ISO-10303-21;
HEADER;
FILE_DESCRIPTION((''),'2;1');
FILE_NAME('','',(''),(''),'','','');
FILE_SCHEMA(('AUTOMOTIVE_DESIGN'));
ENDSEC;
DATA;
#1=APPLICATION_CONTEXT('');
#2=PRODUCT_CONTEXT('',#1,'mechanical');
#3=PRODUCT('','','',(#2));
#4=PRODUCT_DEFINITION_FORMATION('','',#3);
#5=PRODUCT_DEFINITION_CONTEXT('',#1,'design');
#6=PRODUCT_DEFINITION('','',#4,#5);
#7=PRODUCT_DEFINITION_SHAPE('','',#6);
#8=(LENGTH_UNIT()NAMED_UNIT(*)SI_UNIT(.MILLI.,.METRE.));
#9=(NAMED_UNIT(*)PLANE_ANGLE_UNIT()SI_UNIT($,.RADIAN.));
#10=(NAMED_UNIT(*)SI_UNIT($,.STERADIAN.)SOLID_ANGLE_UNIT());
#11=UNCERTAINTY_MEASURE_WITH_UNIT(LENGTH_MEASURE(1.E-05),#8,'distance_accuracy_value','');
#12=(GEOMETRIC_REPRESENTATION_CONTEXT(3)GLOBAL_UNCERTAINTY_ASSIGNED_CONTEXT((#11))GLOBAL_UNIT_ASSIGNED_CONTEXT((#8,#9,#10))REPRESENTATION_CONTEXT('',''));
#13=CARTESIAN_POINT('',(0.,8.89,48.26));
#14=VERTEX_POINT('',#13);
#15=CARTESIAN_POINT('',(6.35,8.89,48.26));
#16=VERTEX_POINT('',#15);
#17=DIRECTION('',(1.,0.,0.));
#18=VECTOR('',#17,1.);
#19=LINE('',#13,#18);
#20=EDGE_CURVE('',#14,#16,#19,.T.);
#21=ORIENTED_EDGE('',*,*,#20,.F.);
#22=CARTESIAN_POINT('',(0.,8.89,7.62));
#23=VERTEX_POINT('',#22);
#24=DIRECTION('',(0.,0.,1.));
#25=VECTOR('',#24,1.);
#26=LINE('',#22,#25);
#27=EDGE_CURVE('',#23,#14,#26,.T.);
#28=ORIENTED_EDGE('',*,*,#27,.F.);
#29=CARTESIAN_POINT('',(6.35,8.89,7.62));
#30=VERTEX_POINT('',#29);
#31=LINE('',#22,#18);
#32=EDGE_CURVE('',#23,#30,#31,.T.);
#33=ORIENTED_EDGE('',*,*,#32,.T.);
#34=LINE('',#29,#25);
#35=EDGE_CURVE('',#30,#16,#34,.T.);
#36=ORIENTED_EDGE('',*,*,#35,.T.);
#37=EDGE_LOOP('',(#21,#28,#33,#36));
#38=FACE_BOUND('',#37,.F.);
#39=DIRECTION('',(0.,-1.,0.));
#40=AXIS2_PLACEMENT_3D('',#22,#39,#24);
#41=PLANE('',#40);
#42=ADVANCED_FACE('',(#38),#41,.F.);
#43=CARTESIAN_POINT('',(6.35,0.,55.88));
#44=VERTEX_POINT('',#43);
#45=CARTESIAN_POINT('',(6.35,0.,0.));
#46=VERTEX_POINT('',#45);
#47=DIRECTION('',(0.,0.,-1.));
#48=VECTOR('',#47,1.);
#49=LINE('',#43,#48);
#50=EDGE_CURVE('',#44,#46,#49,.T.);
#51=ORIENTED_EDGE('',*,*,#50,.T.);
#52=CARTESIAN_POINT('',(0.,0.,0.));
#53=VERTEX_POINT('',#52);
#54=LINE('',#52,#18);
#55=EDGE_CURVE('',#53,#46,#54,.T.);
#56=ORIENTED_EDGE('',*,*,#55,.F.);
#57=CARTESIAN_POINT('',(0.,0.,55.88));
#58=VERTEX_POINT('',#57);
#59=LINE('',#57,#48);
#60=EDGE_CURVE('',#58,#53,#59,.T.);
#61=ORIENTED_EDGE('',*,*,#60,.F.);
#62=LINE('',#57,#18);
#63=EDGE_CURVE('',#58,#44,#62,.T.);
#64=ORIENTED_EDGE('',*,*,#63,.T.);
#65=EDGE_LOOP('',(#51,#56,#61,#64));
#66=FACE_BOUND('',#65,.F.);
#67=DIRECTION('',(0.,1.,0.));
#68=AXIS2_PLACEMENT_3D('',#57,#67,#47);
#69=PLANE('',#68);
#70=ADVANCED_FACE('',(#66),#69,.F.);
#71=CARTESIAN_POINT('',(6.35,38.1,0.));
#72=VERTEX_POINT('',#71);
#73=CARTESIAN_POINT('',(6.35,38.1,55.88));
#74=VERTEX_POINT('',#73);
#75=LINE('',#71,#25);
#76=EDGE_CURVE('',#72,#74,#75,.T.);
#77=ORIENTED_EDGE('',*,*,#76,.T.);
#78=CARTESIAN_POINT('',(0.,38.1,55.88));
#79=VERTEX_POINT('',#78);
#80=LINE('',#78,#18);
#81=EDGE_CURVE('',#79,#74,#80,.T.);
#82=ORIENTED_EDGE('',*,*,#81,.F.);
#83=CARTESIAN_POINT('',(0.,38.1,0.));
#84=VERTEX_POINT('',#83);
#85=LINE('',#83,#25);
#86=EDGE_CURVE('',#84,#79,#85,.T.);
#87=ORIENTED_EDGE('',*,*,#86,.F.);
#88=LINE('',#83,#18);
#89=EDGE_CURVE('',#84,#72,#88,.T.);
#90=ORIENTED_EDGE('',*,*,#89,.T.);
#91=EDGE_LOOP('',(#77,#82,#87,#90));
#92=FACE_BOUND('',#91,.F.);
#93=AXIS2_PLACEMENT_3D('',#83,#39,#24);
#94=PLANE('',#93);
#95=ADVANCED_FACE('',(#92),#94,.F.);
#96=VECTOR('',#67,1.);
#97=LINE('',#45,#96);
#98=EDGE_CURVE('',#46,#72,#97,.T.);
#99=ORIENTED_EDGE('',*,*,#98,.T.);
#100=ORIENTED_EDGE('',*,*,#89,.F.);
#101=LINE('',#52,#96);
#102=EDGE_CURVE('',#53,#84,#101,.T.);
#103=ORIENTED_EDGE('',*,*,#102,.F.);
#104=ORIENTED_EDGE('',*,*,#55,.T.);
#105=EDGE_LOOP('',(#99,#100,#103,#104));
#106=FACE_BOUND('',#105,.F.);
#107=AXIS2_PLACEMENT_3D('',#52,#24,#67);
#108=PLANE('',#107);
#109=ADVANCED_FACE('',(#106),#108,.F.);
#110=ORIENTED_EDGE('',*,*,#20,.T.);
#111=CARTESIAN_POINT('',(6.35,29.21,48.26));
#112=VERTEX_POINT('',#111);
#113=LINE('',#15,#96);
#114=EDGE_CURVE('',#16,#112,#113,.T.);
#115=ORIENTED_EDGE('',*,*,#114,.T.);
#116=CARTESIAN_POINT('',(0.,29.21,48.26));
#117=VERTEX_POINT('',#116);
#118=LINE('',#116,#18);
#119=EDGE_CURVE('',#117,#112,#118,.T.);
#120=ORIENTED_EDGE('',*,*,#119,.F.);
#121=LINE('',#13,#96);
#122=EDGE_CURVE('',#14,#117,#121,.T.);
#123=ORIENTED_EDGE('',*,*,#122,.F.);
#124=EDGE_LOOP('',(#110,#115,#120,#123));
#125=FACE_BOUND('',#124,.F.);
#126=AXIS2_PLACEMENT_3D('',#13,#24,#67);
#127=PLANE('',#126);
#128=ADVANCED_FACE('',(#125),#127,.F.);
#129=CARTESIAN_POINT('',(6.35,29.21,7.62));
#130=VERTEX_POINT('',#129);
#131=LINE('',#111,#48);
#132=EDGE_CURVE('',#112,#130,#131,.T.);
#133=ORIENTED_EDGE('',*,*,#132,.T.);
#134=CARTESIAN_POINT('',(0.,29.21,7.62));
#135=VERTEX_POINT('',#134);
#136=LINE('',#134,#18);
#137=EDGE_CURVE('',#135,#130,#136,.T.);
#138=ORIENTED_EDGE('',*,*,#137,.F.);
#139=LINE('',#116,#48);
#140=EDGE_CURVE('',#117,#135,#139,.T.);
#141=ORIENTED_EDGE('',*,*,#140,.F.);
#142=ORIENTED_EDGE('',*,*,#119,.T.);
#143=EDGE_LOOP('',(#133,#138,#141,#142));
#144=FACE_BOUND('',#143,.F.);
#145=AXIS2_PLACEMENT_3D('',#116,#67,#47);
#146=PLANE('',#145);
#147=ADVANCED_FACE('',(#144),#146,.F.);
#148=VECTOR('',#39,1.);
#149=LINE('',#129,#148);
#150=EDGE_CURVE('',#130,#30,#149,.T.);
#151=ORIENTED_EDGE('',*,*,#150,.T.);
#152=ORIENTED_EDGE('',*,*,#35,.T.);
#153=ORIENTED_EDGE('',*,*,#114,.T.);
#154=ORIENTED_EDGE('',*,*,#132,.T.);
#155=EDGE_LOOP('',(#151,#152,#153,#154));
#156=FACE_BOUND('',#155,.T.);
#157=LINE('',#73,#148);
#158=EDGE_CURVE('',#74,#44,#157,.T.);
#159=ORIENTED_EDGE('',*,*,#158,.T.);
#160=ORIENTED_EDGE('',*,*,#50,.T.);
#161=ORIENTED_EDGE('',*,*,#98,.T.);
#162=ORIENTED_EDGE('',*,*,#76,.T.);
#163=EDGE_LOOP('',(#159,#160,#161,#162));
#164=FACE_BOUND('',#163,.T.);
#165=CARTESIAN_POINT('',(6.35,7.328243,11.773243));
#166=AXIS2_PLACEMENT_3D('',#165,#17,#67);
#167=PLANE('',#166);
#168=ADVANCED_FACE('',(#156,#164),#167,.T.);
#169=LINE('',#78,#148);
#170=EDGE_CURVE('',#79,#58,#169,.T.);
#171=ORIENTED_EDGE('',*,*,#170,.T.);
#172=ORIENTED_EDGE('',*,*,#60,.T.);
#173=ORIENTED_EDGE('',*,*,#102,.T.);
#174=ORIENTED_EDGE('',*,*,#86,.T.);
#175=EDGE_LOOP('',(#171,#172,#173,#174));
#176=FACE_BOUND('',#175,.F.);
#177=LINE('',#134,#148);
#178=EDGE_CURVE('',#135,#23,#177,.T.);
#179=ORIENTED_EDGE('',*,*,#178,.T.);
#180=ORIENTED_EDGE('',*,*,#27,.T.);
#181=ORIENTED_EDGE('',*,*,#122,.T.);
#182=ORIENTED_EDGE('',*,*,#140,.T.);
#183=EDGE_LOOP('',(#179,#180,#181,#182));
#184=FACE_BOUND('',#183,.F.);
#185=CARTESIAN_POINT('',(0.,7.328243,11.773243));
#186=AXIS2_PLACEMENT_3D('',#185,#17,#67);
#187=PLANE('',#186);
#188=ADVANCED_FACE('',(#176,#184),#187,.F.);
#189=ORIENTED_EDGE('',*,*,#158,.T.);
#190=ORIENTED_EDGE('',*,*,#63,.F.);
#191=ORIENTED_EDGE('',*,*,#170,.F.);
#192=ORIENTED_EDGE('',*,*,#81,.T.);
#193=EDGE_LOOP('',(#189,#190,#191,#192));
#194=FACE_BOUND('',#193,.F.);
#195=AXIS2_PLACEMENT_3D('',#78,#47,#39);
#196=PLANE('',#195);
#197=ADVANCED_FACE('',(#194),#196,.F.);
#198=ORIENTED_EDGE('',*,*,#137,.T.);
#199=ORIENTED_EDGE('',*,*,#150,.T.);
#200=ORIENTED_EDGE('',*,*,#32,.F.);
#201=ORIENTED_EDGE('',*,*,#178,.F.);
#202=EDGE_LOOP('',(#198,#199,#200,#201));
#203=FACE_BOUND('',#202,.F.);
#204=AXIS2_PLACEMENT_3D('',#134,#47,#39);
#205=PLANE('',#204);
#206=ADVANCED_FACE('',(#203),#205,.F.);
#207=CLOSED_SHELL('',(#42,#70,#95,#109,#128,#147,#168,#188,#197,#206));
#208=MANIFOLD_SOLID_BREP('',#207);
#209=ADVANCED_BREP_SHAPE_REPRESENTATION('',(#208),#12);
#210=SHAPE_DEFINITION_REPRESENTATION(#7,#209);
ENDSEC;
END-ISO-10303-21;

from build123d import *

# Parameters (mm, degrees)
F1_DEPTH = 6.35


with BuildPart() as f1:
    # F0 (on Right) → F1 (new body)
    with BuildSketch(Plane.YZ):
        Polygon((0, 27.94), (0, 0), (19.05, 0), (19.05, 7.62), (8.89, 7.62), (8.89, 27.94), align=None)
        Polygon((19.05, 7.62), (19.05, 0), (38.1, 0), (38.1, 27.94), (29.21, 27.94), (29.21, 7.62), align=None)
        Polygon((29.21, 27.94), (38.1, 27.94), (38.1, 55.88), (19.05, 55.88), (19.05, 48.26), (29.21, 48.26), align=None)
        Polygon((0, 55.88), (0, 27.94), (8.89, 27.94), (8.89, 48.26), (19.05, 48.26), (19.05, 55.88), align=None)
    extrude(amount=F1_DEPTH)


solid = f1.part
